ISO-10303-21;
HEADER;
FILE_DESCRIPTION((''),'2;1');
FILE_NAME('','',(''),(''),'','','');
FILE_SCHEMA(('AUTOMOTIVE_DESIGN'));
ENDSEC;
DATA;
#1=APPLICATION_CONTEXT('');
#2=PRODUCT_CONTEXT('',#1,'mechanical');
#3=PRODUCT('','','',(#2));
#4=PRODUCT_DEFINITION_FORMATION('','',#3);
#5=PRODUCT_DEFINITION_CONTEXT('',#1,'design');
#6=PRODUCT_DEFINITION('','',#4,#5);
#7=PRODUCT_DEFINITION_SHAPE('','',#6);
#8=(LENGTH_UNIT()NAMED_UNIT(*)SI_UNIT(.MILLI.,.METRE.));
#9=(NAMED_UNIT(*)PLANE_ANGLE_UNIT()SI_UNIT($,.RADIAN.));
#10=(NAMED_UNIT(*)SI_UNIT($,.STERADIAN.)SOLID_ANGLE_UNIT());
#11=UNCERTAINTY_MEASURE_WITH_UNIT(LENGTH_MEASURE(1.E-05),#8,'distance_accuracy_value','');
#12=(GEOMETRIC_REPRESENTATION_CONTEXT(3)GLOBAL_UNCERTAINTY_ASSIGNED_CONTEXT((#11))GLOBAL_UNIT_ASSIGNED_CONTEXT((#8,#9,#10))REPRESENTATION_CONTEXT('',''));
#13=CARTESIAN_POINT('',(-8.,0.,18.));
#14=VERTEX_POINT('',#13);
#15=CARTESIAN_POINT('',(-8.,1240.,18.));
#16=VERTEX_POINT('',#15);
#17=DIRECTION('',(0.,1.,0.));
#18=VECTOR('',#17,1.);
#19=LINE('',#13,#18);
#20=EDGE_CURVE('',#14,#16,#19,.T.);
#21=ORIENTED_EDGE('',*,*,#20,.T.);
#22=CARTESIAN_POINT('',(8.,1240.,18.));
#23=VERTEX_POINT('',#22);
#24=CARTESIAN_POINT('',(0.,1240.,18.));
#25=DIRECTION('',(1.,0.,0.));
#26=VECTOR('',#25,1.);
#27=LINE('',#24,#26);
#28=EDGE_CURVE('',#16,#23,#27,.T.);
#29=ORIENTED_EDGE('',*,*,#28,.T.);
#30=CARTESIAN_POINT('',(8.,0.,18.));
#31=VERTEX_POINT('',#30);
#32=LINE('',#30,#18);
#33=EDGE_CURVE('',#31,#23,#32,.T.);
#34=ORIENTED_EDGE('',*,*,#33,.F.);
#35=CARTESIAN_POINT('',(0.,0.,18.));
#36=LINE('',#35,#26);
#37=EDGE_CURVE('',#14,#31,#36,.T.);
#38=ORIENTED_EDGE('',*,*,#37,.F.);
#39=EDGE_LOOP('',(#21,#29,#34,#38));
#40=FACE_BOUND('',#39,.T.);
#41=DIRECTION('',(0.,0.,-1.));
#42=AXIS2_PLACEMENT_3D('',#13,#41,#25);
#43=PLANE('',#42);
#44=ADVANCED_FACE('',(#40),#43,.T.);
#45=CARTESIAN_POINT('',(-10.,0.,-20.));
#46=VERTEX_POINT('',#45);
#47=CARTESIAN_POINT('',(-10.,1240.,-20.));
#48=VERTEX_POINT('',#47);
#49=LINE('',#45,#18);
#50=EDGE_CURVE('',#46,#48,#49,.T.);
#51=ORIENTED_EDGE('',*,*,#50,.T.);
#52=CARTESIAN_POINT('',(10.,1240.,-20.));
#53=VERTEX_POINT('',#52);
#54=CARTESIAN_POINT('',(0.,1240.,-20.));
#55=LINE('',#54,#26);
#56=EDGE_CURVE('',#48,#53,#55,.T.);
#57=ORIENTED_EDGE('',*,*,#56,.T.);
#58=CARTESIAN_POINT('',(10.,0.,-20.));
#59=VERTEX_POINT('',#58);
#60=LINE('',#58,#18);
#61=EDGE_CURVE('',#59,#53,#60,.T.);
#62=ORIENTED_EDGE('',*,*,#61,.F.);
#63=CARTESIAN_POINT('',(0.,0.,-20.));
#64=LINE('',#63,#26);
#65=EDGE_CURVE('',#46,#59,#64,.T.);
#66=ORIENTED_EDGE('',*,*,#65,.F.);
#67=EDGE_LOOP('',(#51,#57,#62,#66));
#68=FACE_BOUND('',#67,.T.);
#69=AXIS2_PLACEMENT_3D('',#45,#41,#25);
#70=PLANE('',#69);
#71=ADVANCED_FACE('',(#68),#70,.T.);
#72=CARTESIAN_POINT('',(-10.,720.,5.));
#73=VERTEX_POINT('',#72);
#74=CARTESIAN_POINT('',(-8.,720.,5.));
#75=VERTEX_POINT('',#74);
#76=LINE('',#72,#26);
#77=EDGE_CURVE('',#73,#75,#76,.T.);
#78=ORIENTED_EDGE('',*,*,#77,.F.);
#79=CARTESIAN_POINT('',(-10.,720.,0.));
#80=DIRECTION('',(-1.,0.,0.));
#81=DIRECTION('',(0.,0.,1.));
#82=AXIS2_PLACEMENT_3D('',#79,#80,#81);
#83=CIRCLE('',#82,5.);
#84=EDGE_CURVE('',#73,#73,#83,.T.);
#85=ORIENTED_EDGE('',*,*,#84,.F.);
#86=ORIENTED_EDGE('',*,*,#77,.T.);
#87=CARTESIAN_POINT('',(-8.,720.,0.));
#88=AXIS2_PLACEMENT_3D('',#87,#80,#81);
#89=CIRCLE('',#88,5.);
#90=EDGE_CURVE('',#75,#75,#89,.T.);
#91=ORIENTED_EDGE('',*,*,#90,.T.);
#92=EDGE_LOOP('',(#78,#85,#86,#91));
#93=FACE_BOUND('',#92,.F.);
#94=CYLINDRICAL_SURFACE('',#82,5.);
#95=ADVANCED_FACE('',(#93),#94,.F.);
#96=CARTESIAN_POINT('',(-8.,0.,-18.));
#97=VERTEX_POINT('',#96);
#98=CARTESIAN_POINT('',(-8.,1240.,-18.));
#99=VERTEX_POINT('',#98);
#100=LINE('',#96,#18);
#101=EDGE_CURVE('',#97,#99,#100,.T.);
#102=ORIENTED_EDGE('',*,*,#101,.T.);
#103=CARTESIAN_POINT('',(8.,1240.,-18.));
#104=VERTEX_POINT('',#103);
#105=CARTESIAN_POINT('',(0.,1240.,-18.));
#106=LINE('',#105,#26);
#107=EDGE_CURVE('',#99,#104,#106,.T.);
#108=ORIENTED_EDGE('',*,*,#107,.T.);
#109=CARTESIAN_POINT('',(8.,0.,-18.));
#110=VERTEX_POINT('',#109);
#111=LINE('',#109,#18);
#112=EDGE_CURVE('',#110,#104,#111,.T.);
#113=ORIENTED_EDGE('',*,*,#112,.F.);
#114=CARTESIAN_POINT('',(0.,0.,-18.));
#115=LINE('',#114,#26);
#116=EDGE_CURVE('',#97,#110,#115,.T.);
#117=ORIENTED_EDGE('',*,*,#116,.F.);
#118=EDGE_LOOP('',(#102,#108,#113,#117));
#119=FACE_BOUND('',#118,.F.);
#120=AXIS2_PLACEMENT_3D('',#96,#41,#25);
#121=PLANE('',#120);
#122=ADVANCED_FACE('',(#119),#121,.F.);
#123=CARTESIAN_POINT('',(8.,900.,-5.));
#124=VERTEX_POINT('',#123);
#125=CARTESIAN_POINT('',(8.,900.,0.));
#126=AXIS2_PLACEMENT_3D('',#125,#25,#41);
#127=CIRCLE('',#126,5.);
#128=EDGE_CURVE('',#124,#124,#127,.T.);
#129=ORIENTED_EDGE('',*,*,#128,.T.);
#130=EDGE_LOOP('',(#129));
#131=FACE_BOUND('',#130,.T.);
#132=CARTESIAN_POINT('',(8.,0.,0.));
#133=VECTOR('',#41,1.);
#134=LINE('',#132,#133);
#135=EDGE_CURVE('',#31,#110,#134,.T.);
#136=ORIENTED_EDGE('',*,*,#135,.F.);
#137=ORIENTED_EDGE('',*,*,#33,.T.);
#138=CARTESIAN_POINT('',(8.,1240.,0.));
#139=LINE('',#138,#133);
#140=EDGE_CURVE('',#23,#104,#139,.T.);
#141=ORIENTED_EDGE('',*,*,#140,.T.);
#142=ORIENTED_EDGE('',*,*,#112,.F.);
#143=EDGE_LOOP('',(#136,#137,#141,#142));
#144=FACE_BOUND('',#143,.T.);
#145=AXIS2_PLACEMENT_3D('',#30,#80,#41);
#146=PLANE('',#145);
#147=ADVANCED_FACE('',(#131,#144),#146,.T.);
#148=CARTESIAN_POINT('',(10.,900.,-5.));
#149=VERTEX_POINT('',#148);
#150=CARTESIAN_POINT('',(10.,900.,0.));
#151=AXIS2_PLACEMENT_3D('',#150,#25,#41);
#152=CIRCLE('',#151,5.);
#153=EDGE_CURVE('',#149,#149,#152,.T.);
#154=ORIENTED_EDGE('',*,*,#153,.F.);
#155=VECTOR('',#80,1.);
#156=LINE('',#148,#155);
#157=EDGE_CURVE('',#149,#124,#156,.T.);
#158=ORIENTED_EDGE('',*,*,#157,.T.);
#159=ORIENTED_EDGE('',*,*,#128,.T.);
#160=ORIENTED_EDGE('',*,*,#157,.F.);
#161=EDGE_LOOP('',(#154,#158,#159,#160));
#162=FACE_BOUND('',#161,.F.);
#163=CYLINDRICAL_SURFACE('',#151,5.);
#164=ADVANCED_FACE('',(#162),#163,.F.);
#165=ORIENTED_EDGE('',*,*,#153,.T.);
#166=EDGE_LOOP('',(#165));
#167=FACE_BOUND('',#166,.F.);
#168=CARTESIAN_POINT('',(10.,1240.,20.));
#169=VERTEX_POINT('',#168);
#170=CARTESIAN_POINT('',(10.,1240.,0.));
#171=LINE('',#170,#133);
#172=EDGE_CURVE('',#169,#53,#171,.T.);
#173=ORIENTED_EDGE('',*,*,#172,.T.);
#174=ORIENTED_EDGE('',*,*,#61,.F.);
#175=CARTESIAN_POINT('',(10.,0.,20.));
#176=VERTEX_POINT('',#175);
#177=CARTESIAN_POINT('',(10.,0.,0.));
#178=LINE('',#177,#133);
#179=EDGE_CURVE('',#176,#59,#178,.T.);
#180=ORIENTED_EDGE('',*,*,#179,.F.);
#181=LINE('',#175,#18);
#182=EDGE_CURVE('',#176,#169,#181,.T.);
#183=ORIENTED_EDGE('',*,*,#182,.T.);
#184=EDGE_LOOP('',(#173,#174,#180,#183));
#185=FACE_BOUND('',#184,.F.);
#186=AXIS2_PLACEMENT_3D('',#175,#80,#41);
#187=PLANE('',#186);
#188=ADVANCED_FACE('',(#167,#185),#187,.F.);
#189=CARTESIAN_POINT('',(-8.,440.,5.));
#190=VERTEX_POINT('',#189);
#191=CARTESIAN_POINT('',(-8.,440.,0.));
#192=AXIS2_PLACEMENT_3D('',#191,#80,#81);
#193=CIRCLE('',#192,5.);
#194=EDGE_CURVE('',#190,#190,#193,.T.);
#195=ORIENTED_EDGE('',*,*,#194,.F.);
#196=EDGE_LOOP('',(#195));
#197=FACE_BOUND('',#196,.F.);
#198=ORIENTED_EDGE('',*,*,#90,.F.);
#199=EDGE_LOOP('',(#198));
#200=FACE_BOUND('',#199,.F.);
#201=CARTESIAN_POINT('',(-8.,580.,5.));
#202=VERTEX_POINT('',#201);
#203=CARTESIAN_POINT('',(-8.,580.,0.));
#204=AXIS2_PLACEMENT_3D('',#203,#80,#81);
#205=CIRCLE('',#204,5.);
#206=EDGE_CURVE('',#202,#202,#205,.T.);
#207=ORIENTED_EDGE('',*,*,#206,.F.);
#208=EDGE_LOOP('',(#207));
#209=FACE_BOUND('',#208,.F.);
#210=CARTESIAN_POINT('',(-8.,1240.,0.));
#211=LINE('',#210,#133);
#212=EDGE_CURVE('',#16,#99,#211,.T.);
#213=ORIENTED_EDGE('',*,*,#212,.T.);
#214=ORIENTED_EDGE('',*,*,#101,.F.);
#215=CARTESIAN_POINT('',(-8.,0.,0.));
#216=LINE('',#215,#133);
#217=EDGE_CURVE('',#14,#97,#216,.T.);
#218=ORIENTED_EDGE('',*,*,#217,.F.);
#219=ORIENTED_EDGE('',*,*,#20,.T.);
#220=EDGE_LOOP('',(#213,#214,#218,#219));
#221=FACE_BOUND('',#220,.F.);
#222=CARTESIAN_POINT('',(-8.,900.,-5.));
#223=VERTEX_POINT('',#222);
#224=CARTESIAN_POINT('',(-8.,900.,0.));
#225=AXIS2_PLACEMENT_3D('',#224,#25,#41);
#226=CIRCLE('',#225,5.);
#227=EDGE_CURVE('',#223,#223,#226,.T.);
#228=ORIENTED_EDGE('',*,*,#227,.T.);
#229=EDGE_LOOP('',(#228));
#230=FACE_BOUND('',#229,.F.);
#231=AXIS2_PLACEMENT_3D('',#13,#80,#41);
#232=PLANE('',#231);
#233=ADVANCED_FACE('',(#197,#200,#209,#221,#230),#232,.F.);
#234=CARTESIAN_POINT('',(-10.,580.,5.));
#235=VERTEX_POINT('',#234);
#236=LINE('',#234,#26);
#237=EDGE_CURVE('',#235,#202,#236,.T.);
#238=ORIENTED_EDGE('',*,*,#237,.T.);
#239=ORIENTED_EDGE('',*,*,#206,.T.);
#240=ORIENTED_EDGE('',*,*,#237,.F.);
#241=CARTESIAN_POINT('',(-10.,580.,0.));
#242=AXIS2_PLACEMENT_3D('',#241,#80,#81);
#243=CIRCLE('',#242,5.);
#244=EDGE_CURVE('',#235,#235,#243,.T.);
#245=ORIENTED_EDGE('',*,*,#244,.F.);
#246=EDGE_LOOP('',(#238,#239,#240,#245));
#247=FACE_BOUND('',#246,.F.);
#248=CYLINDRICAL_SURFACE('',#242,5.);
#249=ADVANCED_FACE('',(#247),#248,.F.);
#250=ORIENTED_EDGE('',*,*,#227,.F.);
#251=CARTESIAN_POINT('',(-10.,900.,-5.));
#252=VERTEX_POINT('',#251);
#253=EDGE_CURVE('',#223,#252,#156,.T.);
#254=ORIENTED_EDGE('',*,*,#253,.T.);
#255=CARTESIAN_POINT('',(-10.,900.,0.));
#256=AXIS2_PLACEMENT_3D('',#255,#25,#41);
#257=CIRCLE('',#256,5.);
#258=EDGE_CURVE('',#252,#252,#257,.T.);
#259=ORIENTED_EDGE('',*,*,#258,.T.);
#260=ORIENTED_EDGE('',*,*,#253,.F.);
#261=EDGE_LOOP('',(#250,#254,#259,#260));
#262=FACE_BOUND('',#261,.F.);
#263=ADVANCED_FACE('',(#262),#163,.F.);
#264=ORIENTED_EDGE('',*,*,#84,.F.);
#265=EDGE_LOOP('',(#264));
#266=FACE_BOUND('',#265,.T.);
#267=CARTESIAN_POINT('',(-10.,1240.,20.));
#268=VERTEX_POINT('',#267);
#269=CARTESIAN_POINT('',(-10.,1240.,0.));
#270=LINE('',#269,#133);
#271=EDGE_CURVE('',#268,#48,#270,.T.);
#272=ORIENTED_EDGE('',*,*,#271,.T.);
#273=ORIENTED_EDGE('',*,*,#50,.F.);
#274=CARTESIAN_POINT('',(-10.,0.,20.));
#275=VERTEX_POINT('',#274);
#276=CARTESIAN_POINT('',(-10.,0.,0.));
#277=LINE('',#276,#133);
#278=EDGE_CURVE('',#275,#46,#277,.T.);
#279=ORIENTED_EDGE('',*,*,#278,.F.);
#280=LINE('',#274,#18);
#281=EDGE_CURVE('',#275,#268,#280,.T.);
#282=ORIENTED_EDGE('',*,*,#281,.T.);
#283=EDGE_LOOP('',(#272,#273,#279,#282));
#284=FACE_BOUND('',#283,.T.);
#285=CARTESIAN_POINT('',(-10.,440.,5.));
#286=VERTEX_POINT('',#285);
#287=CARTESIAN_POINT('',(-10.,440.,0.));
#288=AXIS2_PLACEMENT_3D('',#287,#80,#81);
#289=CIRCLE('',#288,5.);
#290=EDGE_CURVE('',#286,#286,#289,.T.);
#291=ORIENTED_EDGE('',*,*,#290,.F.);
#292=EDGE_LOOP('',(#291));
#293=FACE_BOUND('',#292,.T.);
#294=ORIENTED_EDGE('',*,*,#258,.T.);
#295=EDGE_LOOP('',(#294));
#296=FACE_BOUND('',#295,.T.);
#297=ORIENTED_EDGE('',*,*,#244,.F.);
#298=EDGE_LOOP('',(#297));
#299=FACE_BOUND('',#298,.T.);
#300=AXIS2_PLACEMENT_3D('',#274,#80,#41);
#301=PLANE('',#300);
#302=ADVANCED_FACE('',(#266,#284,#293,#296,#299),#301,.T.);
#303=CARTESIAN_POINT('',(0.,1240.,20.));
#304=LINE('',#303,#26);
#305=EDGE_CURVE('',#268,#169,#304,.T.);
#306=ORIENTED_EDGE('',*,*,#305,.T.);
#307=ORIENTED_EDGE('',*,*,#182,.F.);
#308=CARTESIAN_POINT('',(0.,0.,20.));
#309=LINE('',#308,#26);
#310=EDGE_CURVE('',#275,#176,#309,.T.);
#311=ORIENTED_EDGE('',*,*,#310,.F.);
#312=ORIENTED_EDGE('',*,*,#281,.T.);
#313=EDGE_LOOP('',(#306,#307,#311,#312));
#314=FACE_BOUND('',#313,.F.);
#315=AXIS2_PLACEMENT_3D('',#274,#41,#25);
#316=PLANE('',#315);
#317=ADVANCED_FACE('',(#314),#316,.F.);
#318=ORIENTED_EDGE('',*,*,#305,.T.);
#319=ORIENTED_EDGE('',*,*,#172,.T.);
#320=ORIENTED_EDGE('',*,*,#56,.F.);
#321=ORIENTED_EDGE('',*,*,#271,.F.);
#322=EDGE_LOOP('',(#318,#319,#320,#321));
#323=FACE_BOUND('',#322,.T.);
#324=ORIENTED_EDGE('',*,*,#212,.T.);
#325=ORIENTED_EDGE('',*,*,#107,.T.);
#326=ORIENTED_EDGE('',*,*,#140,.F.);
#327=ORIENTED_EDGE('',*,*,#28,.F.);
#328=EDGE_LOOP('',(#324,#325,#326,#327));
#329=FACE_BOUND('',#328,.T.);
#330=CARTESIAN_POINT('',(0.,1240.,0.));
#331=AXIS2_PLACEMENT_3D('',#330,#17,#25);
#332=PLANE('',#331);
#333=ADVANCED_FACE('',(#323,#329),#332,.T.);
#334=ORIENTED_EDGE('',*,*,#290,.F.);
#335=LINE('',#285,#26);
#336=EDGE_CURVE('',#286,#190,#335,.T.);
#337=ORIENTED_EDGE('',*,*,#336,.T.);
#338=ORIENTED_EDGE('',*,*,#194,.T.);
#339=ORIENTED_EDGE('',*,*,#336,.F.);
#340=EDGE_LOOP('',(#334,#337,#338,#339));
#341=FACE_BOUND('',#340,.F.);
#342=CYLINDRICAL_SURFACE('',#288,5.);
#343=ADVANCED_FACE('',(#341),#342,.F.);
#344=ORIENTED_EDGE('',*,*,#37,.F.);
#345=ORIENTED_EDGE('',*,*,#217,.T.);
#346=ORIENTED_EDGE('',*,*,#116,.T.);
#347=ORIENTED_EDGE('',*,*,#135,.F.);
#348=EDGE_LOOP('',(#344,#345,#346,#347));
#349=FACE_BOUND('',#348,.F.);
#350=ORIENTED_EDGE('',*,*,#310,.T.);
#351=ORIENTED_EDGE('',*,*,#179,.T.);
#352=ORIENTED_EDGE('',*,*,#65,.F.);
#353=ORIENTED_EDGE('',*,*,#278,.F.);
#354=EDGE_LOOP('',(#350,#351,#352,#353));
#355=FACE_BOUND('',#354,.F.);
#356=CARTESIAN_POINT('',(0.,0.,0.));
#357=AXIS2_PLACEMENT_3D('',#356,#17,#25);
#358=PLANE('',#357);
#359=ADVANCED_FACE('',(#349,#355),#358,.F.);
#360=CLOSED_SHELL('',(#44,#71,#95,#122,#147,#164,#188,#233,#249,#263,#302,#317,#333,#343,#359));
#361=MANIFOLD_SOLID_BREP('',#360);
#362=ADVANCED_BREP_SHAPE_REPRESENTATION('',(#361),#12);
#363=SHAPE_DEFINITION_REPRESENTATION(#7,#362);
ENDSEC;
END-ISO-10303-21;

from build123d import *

# Parameters (mm, degrees)
SKETCH_1_W          = 20
SKETCH_1_H          = 40
SKETCH_1_W_2        = 16
SKETCH_1_H_2        = 36
EXTRUDE_1_DEPTH     = 1240
SKETCH_2_R          = 5
CUT_EXTRUDE_1_DEPTH = 21
SKETCH_3_R          = 5
CUT_EXTRUDE_2_DEPTH = 10


with BuildPart() as part:
    # Эскиз1 → Вытянуть-Тонкостенный1 (new body)
    with BuildSketch(Plane(origin=(0, 0, 0), x_dir=(1, 0, 0), z_dir=(0, 1, 0))):
        Rectangle(SKETCH_1_W, SKETCH_1_H)
        Rectangle(SKETCH_1_W_2, SKETCH_1_H_2, mode=Mode.SUBTRACT)
    extrude(amount=EXTRUDE_1_DEPTH)

    # Эскиз2 → Вырез-Вытянуть1 (cut, through all)
    with BuildSketch(Plane(origin=(10, 0, 0), x_dir=(0, 0, -1), z_dir=(1, 0, 0))):
        with Locations((0, 900)):
            Circle(SKETCH_2_R)
    extrude(amount=-CUT_EXTRUDE_1_DEPTH, mode=Mode.SUBTRACT)

    # Эскиз3 → Вырез-Вытянуть2 (cut)
    with BuildSketch(Plane.ZY.offset(10)):
        with Locations((0, 720)):
            Circle(SKETCH_3_R)
        with Locations((0, 580)):
            Circle(SKETCH_3_R)
        with Locations((0, 440)):
            Circle(SKETCH_3_R)
    extrude(amount=-CUT_EXTRUDE_2_DEPTH, mode=Mode.SUBTRACT)


solid = part.part
